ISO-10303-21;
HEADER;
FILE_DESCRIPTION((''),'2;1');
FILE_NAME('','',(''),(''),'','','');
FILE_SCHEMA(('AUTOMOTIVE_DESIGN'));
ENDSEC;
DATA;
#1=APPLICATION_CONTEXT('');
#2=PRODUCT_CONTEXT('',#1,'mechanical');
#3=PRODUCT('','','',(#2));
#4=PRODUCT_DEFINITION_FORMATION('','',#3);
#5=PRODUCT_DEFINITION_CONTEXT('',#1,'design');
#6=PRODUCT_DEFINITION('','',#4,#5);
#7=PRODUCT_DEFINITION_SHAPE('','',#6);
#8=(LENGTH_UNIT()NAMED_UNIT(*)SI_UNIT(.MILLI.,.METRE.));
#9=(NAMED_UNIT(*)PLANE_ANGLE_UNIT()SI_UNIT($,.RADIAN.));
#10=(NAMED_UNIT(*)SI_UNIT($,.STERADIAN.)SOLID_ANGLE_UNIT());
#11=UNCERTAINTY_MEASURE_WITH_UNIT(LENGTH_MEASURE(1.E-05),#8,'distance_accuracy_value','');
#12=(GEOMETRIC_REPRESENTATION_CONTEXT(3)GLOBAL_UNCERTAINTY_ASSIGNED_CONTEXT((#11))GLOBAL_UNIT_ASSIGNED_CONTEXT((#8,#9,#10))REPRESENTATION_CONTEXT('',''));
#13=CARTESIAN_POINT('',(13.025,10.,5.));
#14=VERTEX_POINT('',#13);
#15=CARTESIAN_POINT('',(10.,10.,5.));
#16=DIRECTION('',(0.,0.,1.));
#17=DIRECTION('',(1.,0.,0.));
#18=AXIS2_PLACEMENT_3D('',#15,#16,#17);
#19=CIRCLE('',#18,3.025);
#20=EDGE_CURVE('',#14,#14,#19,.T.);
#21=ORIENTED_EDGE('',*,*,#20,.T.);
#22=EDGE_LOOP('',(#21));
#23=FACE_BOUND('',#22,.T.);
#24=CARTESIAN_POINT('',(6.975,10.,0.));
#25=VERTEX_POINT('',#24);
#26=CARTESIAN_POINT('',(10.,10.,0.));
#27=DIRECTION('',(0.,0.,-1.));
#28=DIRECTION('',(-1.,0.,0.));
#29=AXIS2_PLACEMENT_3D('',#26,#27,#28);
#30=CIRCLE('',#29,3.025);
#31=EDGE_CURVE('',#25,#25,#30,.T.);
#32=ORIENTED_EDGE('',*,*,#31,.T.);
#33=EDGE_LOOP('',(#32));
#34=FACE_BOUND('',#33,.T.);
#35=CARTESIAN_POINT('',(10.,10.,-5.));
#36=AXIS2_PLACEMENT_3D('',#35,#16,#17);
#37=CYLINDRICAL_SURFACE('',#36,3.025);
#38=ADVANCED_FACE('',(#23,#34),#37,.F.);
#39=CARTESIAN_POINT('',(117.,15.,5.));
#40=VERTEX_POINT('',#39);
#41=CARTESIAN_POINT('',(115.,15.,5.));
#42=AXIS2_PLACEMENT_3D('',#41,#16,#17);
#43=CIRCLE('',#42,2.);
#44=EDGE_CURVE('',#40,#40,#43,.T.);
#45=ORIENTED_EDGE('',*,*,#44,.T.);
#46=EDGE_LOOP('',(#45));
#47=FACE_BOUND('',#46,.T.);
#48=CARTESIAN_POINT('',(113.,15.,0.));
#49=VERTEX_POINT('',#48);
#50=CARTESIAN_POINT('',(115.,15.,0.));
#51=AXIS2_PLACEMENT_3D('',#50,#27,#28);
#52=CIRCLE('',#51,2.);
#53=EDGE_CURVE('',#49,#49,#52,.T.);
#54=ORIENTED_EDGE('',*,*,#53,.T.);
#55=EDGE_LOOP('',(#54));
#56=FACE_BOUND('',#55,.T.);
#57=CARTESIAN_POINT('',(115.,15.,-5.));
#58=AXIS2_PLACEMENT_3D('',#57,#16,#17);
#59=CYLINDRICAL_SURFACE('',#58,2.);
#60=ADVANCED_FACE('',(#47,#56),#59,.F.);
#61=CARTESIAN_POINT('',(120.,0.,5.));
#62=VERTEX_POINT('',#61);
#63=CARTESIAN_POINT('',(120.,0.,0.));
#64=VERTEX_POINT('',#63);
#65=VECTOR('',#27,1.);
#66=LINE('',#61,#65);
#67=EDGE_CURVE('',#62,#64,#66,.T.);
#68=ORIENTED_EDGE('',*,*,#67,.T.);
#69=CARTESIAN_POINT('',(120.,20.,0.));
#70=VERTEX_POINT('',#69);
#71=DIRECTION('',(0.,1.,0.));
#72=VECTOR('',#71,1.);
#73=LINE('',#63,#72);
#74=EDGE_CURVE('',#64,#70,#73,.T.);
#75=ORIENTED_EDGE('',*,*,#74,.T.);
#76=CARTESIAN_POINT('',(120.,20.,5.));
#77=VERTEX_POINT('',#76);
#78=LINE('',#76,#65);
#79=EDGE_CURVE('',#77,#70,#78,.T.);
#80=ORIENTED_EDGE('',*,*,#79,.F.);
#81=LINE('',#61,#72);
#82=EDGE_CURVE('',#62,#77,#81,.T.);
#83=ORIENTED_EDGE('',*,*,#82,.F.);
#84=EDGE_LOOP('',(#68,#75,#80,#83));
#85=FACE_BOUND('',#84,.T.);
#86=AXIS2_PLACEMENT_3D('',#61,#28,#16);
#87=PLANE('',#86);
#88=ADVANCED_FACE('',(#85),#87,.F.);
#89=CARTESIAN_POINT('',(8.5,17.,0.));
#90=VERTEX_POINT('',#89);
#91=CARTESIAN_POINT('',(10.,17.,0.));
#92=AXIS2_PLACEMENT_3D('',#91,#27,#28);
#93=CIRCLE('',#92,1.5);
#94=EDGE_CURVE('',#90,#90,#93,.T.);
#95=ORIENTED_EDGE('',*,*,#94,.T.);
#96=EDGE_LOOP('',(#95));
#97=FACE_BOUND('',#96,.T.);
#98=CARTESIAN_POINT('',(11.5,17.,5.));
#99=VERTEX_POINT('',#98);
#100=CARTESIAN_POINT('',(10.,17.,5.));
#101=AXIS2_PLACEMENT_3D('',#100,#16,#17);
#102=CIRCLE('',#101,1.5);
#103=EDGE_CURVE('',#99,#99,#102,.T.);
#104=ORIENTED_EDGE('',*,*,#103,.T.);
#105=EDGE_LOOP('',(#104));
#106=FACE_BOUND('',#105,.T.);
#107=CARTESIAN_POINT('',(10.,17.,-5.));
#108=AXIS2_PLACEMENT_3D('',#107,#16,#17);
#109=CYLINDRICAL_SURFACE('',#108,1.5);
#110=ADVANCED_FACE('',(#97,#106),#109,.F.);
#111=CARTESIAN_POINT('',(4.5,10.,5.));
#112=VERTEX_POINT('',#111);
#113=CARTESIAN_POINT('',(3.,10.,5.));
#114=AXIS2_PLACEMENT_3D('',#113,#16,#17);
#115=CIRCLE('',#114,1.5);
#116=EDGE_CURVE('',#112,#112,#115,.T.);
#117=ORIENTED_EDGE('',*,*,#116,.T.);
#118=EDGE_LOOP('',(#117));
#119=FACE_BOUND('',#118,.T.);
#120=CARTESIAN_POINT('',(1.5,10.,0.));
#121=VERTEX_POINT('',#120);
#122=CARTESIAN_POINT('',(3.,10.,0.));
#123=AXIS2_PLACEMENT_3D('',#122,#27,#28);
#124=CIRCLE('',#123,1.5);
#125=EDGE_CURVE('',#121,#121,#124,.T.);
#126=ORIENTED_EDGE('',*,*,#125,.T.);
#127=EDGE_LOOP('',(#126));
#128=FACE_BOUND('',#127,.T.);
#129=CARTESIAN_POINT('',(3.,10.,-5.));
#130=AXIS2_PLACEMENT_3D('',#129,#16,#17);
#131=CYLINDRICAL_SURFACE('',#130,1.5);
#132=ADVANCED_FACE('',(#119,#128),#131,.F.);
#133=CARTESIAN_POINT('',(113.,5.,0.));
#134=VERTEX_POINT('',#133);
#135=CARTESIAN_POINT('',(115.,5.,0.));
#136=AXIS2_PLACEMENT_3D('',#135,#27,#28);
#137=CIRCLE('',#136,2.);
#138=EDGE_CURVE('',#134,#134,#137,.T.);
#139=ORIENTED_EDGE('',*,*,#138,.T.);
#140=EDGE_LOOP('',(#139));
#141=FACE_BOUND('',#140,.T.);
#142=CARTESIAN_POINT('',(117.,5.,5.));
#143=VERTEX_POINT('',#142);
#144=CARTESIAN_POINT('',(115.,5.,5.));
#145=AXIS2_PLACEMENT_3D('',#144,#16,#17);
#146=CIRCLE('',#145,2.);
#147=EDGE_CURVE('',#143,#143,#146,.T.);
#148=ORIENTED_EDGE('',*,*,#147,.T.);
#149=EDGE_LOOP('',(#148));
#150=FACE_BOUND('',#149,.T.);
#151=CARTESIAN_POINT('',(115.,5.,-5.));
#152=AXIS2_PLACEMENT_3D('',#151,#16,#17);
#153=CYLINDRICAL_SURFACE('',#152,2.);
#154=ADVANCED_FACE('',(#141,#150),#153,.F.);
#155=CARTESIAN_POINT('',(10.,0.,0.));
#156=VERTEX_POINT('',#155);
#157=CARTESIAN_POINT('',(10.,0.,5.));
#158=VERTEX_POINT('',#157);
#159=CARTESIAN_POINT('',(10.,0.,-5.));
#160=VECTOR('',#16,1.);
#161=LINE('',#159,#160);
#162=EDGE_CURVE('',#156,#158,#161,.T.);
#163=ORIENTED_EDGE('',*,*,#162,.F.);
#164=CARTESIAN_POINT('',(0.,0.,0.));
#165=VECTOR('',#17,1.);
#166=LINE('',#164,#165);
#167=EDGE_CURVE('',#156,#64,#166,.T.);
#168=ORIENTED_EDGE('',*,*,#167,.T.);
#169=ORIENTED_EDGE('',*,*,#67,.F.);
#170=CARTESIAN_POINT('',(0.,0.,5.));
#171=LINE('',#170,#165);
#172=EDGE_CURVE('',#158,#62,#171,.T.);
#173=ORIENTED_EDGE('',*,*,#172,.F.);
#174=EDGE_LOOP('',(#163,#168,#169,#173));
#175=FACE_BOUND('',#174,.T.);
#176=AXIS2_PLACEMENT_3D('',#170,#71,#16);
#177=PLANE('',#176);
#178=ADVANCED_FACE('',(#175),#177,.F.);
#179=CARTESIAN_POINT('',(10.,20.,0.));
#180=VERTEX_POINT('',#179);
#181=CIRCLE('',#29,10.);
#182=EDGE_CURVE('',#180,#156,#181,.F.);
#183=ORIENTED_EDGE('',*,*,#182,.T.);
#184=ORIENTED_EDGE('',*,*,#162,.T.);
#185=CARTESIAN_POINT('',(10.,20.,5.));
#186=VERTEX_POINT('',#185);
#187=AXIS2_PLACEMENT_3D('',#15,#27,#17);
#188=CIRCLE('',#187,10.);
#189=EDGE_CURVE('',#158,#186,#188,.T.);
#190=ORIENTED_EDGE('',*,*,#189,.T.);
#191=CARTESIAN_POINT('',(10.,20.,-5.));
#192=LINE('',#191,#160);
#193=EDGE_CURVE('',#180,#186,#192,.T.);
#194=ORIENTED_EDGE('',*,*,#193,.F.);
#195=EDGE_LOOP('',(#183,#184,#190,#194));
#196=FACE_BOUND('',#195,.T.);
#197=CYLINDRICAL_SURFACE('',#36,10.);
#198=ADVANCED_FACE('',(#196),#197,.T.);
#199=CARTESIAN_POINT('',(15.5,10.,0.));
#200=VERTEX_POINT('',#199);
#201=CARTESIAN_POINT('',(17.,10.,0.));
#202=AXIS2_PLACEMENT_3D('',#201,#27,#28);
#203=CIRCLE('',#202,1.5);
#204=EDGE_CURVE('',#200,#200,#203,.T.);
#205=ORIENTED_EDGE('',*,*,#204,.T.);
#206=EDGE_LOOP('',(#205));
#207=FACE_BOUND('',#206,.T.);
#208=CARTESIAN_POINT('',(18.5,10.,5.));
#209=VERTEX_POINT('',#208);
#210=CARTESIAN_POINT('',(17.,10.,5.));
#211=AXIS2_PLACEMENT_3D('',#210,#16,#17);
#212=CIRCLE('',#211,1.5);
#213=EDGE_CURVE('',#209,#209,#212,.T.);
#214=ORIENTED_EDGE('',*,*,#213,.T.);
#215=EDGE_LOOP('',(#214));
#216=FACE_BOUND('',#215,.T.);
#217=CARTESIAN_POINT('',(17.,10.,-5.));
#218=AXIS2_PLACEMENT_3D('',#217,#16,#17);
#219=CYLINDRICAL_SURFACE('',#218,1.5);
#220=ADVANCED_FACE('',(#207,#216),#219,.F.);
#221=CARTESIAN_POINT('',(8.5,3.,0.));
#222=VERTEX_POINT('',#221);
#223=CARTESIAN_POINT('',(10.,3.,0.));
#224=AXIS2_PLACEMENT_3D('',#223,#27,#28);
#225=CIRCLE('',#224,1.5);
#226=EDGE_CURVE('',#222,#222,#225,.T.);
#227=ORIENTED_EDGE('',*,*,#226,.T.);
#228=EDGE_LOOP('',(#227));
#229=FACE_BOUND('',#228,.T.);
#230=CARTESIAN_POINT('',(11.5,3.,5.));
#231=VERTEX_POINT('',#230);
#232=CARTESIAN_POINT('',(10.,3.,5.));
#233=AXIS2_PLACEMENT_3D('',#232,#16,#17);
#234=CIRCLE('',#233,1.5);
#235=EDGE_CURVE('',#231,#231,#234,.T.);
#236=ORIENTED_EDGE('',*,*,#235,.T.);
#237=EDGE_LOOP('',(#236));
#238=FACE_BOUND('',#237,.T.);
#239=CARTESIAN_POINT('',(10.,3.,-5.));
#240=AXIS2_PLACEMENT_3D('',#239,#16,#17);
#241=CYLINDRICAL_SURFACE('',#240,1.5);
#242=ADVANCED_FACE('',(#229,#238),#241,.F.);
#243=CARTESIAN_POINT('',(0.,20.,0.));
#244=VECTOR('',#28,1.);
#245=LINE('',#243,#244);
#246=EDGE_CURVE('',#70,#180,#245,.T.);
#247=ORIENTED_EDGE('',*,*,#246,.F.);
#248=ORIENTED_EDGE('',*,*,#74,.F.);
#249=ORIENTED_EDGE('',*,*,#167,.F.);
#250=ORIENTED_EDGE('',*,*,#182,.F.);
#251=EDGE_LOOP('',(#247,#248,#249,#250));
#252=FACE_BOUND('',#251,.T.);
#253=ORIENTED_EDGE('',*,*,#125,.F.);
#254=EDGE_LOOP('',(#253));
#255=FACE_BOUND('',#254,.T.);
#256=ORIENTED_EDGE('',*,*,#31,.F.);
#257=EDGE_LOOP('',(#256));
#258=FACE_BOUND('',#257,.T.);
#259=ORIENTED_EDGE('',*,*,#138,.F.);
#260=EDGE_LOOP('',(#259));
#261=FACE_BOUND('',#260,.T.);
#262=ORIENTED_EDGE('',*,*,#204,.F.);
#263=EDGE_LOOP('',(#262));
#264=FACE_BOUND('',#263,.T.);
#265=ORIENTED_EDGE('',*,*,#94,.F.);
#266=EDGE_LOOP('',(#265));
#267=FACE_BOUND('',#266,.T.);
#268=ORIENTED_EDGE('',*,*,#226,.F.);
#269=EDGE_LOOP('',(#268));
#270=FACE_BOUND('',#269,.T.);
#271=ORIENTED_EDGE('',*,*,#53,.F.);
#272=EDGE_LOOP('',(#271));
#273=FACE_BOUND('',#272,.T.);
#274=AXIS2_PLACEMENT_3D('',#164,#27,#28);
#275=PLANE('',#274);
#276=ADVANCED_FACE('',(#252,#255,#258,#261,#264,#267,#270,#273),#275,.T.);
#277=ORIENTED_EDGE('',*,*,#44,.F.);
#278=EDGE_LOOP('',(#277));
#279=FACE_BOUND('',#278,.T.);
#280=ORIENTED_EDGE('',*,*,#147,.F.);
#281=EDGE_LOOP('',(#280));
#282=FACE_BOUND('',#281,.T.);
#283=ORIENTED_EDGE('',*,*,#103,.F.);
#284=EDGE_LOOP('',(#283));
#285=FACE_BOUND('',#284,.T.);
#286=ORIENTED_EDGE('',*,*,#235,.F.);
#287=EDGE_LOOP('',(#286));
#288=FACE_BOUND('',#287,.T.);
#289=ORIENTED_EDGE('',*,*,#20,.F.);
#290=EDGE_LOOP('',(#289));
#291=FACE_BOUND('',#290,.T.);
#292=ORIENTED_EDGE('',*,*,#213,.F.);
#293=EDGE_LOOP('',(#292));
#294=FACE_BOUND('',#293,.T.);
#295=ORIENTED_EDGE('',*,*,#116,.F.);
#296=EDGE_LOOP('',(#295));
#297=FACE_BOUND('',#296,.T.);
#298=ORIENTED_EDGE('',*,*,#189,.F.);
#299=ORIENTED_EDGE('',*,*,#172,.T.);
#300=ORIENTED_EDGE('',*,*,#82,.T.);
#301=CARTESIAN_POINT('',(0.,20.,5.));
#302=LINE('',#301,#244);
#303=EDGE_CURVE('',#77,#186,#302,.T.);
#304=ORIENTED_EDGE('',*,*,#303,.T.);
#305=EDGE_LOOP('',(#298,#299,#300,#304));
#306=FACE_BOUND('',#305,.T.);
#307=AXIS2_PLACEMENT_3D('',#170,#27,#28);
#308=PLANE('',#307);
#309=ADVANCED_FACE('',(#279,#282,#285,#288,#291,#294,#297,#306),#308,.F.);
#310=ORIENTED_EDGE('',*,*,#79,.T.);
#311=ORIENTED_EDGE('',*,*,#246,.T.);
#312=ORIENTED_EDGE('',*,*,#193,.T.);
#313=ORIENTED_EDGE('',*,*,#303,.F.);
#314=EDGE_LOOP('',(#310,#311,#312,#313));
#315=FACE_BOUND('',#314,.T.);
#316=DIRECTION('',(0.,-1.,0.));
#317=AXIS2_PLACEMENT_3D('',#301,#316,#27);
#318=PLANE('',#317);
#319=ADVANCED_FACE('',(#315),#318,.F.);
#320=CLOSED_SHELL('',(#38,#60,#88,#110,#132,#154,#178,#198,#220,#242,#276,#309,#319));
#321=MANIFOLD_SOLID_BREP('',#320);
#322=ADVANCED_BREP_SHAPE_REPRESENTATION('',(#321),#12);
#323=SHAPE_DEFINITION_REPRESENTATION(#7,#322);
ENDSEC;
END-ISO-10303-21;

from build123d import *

# Parameters (mm, degrees)
SKETCH1_W           = 120
SKETCH1_H           = 20
BOSS_EXTRUDE1_DEPTH = 5
SKETCH2_R           = 1.5
SKETCH2_R_2         = 3.025
CUT_EXTRUDE1_DEPTH  = 10
CUT_EXTRUDE2_DEPTH  = 10
SKETCH5_R           = 2
CUT_EXTRUDE3_DEPTH  = 10


with BuildPart() as part:
    # Sketch1 → Boss-Extrude1 (new body)
    with BuildSketch(Plane.XY):
        with Locations((60, 10)):
            Rectangle(SKETCH1_W, SKETCH1_H)
    extrude(amount=BOSS_EXTRUDE1_DEPTH)

    # Sketch2 → Cut-Extrude1 (cut)
    with BuildSketch(Plane.XY.offset(5)):
        with Locations((10, 17)):
            Circle(SKETCH2_R)
        with Locations((17, 10)):
            Circle(SKETCH2_R)
        with Locations((10, 10)):
            Circle(SKETCH2_R_2)
        with Locations((10, 3)):
            Circle(SKETCH2_R)
        with Locations((3, 10)):
            Circle(SKETCH2_R)
    extrude(amount=-CUT_EXTRUDE1_DEPTH, mode=Mode.SUBTRACT)

    # Sketch3 → Cut-Extrude2 (cut)
    with BuildSketch(Plane.XY.offset(5)):
        with BuildLine():
            Line((10, 30), (10, 20))
            ThreePointArc((10, 20), (0, 10), (10, 0))
            Line((10, 0), (10, -10))
            ThreePointArc((10, -10), (-10, 10), (10, 30))
        make_face()
    extrude(amount=-CUT_EXTRUDE2_DEPTH, mode=Mode.SUBTRACT)

    # Sketch5 → Cut-Extrude3 (cut)
    with BuildSketch(Plane.XY.offset(5)):
        with Locations((115, 15)):
            Circle(SKETCH5_R)
        with Locations((115, 5)):
            Circle(SKETCH5_R)
    extrude(amount=-CUT_EXTRUDE3_DEPTH, mode=Mode.SUBTRACT)


solid = part.part
